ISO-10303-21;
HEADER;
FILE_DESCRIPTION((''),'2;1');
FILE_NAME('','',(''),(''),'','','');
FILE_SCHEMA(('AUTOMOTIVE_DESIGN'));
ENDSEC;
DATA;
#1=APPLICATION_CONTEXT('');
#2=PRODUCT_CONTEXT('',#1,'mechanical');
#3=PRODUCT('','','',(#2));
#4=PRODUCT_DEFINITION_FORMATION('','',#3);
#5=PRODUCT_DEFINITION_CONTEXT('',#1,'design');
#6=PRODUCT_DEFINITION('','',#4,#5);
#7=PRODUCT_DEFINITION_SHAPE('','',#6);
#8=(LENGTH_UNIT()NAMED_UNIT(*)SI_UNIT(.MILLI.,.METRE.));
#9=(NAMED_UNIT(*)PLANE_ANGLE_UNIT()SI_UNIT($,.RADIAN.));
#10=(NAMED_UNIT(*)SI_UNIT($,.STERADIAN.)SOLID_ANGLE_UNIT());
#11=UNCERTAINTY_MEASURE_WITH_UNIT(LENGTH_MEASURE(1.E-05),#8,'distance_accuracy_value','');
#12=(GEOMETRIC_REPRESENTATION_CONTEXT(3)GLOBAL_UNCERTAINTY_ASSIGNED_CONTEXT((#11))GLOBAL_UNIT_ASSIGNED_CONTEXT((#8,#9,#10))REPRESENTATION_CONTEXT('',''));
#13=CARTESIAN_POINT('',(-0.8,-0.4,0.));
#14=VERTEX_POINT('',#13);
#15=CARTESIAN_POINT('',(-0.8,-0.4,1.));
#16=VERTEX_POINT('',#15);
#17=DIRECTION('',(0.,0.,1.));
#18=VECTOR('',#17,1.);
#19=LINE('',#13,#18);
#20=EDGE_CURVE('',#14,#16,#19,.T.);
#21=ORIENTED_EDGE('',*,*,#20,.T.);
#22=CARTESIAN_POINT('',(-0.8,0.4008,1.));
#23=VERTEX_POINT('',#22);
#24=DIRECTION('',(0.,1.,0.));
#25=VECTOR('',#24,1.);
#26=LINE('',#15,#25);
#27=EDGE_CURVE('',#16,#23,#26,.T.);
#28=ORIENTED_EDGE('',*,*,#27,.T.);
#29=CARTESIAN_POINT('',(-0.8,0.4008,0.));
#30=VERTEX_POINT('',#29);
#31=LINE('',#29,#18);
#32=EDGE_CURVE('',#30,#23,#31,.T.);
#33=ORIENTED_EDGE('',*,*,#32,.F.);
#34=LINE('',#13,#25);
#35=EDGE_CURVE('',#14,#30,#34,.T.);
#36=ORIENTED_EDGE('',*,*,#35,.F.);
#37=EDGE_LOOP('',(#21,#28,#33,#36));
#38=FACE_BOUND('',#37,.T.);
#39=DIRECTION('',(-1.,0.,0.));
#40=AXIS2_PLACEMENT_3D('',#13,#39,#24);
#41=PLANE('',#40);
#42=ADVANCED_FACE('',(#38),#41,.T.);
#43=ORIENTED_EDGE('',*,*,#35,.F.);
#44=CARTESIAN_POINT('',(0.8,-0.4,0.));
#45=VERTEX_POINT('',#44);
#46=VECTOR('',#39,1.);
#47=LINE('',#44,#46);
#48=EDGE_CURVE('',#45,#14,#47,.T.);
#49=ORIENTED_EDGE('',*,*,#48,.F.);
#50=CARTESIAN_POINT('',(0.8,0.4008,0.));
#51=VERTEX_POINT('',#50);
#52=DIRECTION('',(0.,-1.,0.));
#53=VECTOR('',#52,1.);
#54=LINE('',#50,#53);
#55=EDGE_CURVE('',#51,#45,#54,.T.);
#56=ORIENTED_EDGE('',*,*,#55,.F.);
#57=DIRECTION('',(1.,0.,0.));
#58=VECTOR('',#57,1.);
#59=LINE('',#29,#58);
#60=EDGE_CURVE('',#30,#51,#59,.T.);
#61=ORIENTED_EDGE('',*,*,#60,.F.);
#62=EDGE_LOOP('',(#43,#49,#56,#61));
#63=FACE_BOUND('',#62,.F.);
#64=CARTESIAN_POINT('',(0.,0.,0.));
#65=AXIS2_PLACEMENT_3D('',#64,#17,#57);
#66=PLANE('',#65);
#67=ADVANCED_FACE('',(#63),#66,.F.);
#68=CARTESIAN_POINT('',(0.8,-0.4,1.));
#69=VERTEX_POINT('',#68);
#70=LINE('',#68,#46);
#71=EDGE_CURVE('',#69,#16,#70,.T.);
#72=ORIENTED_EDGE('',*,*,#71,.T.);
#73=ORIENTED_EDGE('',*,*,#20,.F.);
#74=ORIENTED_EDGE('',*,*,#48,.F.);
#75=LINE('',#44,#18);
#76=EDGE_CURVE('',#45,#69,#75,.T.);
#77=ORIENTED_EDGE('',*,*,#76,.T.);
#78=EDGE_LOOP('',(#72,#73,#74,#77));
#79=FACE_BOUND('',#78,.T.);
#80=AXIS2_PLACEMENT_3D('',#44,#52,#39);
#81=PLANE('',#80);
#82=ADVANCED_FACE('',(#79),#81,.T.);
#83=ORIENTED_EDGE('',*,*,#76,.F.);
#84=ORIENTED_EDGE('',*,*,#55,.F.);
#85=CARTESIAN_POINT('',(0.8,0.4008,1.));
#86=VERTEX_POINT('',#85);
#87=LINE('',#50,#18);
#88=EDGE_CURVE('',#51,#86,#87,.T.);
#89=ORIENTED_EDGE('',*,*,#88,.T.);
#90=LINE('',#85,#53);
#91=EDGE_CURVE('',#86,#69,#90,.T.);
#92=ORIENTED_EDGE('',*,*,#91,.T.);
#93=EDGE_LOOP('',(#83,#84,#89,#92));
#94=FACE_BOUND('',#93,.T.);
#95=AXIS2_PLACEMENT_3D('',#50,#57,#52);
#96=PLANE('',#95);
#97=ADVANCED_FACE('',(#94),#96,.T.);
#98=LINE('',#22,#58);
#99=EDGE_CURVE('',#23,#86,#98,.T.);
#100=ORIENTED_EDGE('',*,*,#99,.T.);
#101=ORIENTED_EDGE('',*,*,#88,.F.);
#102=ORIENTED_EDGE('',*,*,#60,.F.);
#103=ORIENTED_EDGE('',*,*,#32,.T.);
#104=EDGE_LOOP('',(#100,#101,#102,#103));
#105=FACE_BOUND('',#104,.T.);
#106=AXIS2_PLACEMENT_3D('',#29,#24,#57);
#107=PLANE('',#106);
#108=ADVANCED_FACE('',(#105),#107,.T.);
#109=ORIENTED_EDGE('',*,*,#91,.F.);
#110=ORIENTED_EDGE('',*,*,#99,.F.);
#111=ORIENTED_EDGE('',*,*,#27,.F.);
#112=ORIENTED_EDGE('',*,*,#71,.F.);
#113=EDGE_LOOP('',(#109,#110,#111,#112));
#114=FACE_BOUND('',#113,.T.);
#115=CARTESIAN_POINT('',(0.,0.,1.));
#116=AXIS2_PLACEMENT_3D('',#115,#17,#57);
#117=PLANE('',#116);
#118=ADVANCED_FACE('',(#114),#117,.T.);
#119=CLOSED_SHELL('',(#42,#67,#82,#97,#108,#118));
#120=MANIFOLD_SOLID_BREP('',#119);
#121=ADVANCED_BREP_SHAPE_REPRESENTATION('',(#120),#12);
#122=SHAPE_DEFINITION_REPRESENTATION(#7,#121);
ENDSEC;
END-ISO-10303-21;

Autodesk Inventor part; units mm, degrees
ref_plane "YZ Plane" through (0, 0, 0) normal (1, 0, 0) x (0, 1, 0)
ref_plane "XZ Plane" through (0, 0, 0) normal (0, 1, 0) x (-1, 0, 0)
ref_plane "XY Plane" through (0, 0, 0) normal (0, 0, 1) x (1, 0, 0)
sketch "C0603K, 4_7UF_33" plane through (0, 0, 0) normal (0, 0, 1) x (1, 0, 0)
  line L0 (-0.8, 0.4008) -> (0.8, 0.4008)
  line L1 (0.8, 0.4008) -> (0.8, -0.4)
  line L2 (0.8, -0.4) -> (-0.8, -0.4)
  line L3 (-0.8, -0.4) -> (-0.8, 0.4008)
extrude "Extrusion1" add sketch "C0603K, 4_7UF_33" along normal blind 1
properties part number "4_7UF"
